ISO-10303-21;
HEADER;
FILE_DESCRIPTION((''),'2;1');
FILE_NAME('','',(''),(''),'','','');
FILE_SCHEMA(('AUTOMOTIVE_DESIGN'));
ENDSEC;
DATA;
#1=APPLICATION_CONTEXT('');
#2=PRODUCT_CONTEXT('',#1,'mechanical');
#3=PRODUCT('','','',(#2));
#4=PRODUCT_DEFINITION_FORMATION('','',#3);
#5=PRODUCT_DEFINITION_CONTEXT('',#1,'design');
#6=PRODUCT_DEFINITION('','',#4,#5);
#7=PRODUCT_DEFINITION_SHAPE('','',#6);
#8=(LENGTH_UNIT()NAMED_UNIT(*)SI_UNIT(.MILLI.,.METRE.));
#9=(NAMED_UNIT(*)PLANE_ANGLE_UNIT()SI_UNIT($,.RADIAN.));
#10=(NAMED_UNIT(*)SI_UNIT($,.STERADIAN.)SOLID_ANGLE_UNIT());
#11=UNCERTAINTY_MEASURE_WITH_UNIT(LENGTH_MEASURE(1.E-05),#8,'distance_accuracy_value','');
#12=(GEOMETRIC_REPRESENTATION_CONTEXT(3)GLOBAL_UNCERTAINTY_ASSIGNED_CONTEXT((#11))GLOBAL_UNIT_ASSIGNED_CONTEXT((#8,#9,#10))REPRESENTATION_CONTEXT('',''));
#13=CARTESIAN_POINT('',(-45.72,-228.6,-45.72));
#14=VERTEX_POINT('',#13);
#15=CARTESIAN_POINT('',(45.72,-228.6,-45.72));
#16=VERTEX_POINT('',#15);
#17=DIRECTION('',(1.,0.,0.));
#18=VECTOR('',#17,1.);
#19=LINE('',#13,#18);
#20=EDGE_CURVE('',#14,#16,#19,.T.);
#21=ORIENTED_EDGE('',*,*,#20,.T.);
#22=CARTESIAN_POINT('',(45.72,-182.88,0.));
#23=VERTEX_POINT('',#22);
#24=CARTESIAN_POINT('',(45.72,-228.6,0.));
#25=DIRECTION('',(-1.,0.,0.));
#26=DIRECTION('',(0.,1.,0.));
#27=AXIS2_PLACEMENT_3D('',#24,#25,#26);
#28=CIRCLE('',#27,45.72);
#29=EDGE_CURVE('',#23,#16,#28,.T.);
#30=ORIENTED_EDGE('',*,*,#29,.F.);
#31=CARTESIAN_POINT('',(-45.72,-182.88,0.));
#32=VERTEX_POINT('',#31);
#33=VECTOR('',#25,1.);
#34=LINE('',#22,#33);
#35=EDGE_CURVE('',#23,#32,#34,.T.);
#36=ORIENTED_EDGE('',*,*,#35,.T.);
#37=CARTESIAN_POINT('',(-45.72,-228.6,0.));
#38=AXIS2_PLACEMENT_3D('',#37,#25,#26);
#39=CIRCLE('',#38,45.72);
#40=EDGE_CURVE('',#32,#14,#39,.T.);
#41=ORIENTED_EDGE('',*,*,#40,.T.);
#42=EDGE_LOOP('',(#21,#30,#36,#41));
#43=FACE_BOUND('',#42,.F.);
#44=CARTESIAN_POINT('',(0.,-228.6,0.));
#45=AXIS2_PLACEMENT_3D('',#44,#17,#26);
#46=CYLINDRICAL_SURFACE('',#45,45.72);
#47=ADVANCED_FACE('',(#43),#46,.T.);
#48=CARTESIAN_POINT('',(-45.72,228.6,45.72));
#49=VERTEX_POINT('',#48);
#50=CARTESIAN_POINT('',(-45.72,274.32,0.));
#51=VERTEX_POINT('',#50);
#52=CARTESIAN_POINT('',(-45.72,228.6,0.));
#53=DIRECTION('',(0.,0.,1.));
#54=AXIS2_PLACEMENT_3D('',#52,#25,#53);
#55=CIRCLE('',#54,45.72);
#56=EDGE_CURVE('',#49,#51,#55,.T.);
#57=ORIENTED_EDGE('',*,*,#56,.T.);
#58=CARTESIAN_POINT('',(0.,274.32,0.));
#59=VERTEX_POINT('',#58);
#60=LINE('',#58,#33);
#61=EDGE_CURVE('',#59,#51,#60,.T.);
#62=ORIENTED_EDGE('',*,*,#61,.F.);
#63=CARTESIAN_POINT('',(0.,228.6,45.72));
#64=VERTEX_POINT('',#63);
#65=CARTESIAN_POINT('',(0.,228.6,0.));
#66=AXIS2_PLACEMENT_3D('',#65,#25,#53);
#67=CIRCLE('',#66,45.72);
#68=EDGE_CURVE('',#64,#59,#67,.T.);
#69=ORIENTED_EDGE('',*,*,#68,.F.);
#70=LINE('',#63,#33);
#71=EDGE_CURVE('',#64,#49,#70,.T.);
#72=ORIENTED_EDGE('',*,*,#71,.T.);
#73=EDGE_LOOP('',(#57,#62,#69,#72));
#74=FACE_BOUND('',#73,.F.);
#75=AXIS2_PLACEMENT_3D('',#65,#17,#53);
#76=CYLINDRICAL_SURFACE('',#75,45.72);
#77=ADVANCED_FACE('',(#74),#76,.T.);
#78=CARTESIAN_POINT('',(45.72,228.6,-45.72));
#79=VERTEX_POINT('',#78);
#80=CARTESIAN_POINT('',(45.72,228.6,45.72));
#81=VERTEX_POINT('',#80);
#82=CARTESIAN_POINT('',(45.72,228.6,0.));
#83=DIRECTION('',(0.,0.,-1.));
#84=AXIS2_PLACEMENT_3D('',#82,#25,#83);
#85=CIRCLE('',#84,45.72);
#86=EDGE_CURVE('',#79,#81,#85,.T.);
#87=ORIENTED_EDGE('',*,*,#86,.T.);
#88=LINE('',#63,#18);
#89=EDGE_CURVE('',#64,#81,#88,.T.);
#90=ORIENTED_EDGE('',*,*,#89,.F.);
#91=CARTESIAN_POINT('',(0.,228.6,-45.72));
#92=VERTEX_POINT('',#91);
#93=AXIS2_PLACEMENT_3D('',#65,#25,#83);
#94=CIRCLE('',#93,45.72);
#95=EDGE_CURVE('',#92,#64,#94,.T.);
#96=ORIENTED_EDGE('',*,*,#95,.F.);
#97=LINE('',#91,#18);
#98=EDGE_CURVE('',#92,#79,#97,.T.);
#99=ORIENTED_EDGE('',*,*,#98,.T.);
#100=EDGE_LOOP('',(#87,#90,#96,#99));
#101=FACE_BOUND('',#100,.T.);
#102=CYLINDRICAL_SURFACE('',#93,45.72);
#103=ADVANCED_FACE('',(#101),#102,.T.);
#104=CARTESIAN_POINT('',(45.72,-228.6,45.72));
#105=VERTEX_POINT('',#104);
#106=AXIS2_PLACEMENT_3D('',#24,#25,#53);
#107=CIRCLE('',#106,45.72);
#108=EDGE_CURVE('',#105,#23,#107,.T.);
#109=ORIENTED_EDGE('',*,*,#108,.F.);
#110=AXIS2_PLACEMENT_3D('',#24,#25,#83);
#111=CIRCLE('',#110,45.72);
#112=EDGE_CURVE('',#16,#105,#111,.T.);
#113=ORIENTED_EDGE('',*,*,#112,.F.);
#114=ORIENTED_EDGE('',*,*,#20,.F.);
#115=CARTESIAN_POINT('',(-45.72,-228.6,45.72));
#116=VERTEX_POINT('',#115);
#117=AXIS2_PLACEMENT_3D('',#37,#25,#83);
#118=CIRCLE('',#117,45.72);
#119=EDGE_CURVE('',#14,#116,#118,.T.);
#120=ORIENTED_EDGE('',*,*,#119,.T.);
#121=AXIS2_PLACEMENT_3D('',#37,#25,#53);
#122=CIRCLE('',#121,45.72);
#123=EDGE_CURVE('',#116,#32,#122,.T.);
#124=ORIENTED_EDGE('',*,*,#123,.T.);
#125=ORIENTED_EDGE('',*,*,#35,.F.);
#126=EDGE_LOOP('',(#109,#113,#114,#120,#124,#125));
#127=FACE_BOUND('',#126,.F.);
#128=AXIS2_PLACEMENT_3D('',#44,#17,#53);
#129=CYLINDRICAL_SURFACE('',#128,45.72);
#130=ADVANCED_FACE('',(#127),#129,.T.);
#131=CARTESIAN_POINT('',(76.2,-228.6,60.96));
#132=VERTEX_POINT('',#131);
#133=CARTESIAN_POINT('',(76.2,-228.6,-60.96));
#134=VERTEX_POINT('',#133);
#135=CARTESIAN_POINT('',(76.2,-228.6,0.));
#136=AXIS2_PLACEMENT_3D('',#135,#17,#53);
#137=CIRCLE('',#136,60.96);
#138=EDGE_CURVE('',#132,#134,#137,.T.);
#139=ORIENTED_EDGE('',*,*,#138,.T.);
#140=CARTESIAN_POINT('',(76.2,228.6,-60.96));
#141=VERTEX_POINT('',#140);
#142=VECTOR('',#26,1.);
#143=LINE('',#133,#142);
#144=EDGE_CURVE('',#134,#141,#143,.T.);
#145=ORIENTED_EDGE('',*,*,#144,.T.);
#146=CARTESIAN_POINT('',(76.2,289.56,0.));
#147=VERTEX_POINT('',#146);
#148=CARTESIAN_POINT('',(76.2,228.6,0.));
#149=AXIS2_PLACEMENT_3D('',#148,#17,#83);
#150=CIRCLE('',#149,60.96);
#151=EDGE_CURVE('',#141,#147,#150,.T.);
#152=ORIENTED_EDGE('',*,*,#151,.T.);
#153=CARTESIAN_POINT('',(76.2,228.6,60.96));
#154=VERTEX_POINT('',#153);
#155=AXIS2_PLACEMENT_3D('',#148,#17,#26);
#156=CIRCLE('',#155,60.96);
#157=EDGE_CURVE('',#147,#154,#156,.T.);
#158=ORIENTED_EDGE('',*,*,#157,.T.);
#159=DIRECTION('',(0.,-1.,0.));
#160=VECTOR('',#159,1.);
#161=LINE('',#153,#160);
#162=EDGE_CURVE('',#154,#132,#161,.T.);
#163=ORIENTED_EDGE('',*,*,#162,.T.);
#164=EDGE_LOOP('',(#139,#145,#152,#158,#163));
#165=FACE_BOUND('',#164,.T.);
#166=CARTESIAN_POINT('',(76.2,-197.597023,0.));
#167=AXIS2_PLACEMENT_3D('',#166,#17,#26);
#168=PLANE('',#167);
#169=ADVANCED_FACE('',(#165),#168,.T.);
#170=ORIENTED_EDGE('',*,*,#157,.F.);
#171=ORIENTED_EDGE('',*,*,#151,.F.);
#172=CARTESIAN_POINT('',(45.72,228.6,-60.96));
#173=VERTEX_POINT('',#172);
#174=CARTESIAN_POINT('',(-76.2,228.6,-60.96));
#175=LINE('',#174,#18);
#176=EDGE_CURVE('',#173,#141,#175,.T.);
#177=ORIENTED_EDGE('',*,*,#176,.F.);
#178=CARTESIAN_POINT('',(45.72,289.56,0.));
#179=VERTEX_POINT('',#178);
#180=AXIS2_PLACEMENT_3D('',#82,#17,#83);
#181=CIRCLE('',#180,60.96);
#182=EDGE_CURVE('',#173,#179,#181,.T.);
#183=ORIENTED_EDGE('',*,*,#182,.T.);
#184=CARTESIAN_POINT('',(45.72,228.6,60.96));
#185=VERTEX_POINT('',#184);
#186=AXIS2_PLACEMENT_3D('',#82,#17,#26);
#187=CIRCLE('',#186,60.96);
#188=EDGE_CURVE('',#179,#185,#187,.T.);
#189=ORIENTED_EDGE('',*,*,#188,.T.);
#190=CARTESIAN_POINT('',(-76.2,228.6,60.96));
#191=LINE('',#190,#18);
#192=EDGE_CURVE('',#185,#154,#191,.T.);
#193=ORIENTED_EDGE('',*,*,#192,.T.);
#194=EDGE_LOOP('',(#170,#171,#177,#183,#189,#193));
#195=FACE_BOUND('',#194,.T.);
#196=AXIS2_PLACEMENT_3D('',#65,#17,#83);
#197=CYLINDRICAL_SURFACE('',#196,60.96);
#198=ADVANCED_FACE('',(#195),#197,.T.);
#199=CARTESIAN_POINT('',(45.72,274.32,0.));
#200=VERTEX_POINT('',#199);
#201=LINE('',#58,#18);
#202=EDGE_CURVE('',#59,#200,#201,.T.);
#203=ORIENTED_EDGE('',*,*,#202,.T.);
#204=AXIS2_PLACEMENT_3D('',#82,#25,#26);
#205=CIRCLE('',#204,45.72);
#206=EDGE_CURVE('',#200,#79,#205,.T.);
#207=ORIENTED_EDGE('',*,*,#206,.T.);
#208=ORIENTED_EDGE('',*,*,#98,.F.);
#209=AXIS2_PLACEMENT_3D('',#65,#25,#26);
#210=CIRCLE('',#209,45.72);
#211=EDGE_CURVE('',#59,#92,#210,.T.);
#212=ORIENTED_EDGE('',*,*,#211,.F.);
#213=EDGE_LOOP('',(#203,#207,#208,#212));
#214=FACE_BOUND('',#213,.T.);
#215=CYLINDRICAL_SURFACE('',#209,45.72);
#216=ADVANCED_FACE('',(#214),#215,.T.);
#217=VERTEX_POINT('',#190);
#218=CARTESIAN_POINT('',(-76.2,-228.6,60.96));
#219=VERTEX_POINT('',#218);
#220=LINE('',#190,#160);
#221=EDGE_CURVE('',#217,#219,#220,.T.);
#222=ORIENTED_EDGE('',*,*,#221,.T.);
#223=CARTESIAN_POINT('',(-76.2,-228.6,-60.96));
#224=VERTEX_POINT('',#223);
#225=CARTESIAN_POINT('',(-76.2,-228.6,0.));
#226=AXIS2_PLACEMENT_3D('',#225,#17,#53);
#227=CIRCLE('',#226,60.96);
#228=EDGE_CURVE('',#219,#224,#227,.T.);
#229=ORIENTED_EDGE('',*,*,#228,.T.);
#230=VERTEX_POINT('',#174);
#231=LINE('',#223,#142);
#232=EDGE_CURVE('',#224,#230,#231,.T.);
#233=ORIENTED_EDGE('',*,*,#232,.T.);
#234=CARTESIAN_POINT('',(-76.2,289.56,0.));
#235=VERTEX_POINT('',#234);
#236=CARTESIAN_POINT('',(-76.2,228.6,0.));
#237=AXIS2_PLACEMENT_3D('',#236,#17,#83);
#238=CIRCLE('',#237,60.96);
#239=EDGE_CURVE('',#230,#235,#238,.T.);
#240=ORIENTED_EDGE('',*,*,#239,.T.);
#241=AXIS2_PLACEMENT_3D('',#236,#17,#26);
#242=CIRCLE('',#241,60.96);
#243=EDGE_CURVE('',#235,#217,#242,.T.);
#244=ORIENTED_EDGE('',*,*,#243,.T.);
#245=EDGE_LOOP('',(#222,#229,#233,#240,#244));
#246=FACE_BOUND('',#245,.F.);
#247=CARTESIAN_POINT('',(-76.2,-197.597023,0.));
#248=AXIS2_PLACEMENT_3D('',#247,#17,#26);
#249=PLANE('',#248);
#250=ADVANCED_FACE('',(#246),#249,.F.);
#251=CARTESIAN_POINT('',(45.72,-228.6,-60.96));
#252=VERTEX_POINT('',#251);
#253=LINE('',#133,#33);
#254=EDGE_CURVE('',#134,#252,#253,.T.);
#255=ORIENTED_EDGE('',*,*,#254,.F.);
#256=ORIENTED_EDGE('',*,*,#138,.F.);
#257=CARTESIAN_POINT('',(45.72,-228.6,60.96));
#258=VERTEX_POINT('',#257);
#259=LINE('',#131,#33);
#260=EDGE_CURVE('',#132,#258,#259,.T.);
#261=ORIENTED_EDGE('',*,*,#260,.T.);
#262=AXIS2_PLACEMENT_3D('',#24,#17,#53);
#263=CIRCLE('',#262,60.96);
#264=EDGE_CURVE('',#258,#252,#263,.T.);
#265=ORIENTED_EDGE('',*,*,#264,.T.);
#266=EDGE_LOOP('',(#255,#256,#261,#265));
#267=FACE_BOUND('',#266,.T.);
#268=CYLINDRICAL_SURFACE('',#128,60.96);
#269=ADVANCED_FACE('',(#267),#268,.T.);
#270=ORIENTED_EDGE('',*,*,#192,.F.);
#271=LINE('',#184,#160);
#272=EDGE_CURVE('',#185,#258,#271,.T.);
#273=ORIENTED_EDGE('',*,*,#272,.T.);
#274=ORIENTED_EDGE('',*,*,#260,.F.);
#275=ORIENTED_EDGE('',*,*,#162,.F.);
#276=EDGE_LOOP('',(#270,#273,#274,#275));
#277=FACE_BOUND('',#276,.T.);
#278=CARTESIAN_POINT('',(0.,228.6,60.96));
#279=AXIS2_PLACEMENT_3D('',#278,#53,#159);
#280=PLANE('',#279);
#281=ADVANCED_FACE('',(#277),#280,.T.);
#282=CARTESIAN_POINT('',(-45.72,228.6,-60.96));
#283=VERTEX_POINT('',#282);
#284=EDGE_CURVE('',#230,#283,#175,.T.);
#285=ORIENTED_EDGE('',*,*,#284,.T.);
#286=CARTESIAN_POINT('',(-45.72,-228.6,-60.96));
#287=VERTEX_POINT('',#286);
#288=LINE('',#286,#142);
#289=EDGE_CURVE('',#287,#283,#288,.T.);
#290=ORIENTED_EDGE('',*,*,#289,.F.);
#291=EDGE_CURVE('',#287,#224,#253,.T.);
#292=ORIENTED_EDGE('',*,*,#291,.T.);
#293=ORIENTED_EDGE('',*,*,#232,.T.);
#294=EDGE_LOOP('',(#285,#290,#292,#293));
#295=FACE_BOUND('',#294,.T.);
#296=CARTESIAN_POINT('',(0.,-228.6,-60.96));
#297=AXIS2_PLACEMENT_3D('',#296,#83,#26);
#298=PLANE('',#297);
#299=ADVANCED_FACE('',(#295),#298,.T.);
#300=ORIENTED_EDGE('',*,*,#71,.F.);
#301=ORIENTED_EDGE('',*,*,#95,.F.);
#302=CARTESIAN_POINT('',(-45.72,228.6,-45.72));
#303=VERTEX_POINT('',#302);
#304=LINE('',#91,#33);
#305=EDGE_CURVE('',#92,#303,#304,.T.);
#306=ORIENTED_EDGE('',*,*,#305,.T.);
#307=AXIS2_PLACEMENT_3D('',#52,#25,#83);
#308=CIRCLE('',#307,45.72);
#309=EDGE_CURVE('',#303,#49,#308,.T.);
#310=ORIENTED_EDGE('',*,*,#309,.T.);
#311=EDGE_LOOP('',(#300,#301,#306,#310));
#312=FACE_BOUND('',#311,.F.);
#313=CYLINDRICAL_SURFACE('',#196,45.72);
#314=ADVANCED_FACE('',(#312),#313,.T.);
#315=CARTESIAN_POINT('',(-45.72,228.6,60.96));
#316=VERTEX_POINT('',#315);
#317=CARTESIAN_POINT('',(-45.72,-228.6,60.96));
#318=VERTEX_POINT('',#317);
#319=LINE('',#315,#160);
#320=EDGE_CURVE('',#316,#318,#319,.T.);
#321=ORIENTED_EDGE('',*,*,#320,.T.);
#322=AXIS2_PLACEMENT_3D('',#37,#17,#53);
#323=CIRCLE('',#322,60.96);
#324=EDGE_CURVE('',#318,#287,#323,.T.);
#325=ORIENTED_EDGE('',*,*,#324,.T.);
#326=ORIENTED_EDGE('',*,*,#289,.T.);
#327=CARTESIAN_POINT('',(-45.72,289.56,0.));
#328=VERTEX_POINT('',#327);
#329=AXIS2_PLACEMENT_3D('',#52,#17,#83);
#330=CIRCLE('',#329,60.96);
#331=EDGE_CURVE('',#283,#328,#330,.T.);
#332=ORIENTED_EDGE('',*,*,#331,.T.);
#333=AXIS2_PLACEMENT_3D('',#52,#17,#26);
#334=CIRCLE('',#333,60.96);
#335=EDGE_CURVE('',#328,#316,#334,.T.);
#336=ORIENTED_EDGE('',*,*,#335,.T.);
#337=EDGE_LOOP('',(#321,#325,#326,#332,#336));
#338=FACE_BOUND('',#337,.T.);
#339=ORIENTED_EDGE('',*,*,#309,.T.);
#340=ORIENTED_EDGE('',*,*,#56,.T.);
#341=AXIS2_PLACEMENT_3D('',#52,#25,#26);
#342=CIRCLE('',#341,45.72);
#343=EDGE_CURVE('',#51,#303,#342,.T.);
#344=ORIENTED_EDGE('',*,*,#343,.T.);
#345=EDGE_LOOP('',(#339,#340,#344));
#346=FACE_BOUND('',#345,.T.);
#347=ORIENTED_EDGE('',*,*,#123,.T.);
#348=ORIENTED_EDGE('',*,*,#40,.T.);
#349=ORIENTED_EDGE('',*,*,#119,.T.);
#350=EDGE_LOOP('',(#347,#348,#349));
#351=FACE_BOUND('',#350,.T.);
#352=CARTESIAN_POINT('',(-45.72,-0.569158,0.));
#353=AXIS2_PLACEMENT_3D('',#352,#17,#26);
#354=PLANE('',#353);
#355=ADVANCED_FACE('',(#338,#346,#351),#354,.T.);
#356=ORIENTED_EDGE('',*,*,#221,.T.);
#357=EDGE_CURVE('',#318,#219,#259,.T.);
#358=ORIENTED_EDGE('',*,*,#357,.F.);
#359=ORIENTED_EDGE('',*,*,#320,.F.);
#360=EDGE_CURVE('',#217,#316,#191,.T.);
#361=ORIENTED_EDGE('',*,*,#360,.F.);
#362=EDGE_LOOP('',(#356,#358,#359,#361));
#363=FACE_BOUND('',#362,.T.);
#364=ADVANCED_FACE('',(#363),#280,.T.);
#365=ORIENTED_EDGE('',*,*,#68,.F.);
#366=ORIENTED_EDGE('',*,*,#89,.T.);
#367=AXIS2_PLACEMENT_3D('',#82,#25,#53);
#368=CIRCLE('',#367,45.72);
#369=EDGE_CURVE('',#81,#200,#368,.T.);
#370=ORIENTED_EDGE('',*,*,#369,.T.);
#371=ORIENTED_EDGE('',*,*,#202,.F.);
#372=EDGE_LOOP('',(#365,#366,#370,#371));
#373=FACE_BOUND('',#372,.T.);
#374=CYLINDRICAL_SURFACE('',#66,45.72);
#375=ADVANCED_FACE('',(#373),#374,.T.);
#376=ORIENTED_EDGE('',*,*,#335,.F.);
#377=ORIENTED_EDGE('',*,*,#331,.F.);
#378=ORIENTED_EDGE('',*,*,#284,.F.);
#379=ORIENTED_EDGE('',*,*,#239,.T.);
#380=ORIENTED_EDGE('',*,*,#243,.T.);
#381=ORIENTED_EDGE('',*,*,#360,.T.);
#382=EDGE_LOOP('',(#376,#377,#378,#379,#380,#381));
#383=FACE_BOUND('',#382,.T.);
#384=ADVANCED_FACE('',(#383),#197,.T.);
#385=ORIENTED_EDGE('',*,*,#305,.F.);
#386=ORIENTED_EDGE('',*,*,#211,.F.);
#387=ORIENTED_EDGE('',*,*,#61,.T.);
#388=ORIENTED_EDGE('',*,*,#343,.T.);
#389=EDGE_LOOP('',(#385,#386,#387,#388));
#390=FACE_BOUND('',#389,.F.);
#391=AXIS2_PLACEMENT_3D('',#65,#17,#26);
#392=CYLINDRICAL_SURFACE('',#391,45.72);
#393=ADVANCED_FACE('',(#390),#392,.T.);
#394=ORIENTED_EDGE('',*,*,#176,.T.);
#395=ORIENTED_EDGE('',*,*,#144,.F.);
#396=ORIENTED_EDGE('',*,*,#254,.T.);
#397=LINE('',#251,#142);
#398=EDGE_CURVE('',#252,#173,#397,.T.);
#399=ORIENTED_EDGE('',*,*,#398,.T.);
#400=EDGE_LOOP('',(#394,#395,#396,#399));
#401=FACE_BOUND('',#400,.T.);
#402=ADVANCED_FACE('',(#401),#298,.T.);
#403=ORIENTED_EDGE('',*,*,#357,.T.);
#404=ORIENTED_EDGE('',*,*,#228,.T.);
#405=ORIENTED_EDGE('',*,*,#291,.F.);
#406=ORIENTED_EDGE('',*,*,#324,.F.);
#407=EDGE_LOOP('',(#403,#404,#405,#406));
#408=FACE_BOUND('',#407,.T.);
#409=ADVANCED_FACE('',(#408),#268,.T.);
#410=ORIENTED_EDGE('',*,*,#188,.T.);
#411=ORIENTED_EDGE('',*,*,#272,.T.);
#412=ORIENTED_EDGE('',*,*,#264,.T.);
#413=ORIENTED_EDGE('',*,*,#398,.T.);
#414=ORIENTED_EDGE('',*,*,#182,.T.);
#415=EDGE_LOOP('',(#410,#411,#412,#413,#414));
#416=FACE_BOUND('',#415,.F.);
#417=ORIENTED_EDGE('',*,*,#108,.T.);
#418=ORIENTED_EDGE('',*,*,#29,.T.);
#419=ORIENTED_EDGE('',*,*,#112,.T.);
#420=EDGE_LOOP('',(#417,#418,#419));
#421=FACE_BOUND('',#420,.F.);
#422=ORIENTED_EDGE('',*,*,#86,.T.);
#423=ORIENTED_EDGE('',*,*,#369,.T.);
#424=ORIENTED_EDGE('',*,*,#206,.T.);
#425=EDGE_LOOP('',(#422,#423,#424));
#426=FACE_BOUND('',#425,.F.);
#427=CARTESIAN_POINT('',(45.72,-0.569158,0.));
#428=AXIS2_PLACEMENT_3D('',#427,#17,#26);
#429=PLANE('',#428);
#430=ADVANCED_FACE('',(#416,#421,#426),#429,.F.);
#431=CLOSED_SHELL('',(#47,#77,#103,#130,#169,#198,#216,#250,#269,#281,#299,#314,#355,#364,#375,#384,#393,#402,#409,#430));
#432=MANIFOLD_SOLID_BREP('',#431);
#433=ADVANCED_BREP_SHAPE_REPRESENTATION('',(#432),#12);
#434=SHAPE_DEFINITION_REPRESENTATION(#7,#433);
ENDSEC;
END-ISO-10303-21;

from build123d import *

# Parameters (mm, degrees)
F1_DEPTH = 76.2
F2_DEPTH = 45.72


with BuildPart() as f1:
    # F0 (on Right) → F1 (new body, symmetric)
    with BuildSketch(Plane.YZ):
        with BuildLine():
            ThreePointArc((-167.64, 0), (-185.4947706189, 43.1052293811), (-228.6, 60.96))
            Line((-228.6, 60.96), (-228.6, 45.72))
            ThreePointArc((-228.6, 45.72), (-196.2710779642, 32.3289220358), (-182.88, 0))
            ThreePointArc((-182.88, 0), (-196.2710779642, -32.3289220358), (-228.6, -45.72))
            Line((-228.6, -45.72), (-228.6, -60.96))
            ThreePointArc((-228.6, -60.96), (-185.4947706189, -43.1052293811), (-167.64, 0))
        make_face()
        with BuildLine():
            Line((228.6, 60.96), (-228.6, 60.96))
            ThreePointArc((-228.6, 60.96), (-185.4947706189, 43.1052293811), (-167.64, 0))
            ThreePointArc((-167.64, 0), (-185.4947706189, -43.1052293811), (-228.6, -60.96))
            Line((-228.6, -60.96), (228.6, -60.96))
            ThreePointArc((228.6, -60.96), (167.64, 0), (228.6, 60.96))
        make_face()
        with BuildLine():
            Line((-228.6, 45.72), (-228.6, 60.96))
            ThreePointArc((-228.6, 60.96), (-289.56, 0), (-228.6, -60.96))
            Line((-228.6, -60.96), (-228.6, -45.72))
            ThreePointArc((-228.6, -45.72), (-274.32, 0), (-228.6, 45.72))
        make_face()
        with BuildLine():
            ThreePointArc((289.56, 0), (271.7052293811, 43.1052293811), (228.6, 60.96))
            Line((228.6, 60.96), (228.6, 45.72))
            ThreePointArc((228.6, 45.72), (260.9289220358, 32.3289220358), (274.32, 0))
            ThreePointArc((274.32, 0), (260.9289220358, -32.3289220358), (228.6, -45.72))
            Line((228.6, -45.72), (228.6, -60.96))
            ThreePointArc((228.6, -60.96), (271.7052293811, -43.1052293811), (289.56, 0))
        make_face()
        with BuildLine():
            Line((228.6, 45.72), (228.6, 60.96))
            ThreePointArc((228.6, 60.96), (167.64, 0), (228.6, -60.96))
            Line((228.6, -60.96), (228.6, -45.72))
            ThreePointArc((228.6, -45.72), (182.88, 0), (228.6, 45.72))
        make_face()
        with BuildLine():
            Line((-228.6, -45.72), (-228.6, 45.72))
            ThreePointArc((-228.6, 45.72), (-274.32, 0), (-228.6, -45.72))
        make_face()
        with BuildLine():
            ThreePointArc((-182.88, 0), (-196.2710779642, 32.3289220358), (-228.6, 45.72))
            Line((-228.6, 45.72), (-228.6, -45.72))
            ThreePointArc((-228.6, -45.72), (-196.2710779642, -32.3289220358), (-182.88, 0))
        make_face()
        with BuildLine():
            Line((228.6, -45.72), (228.6, 45.72))
            ThreePointArc((228.6, 45.72), (182.88, 0), (228.6, -45.72))
        make_face()
        with BuildLine():
            ThreePointArc((274.32, 0), (260.9289220358, 32.3289220358), (228.6, 45.72))
            Line((228.6, 45.72), (228.6, -45.72))
            ThreePointArc((228.6, -45.72), (260.9289220358, -32.3289220358), (274.32, 0))
        make_face()
    extrude(amount=F1_DEPTH, both=True)

    # F0 (on Right) → F2 (cut, symmetric)
    with BuildSketch(Plane.YZ):
        with BuildLine():
            Line((228.6, 60.96), (-228.6, 60.96))
            ThreePointArc((-228.6, 60.96), (-185.4947706189, 43.1052293811), (-167.64, 0))
            ThreePointArc((-167.64, 0), (-185.4947706189, -43.1052293811), (-228.6, -60.96))
            Line((-228.6, -60.96), (228.6, -60.96))
            ThreePointArc((228.6, -60.96), (167.64, 0), (228.6, 60.96))
        make_face()
        with BuildLine():
            Line((-228.6, 45.72), (-228.6, 60.96))
            ThreePointArc((-228.6, 60.96), (-289.56, 0), (-228.6, -60.96))
            Line((-228.6, -60.96), (-228.6, -45.72))
            ThreePointArc((-228.6, -45.72), (-274.32, 0), (-228.6, 45.72))
        make_face()
        with BuildLine():
            ThreePointArc((-167.64, 0), (-185.4947706189, 43.1052293811), (-228.6, 60.96))
            Line((-228.6, 60.96), (-228.6, 45.72))
            ThreePointArc((-228.6, 45.72), (-196.2710779642, 32.3289220358), (-182.88, 0))
            ThreePointArc((-182.88, 0), (-196.2710779642, -32.3289220358), (-228.6, -45.72))
            Line((-228.6, -45.72), (-228.6, -60.96))
            ThreePointArc((-228.6, -60.96), (-185.4947706189, -43.1052293811), (-167.64, 0))
        make_face()
        with BuildLine():
            ThreePointArc((289.56, 0), (271.7052293811, 43.1052293811), (228.6, 60.96))
            Line((228.6, 60.96), (228.6, 45.72))
            ThreePointArc((228.6, 45.72), (260.9289220358, 32.3289220358), (274.32, 0))
            ThreePointArc((274.32, 0), (260.9289220358, -32.3289220358), (228.6, -45.72))
            Line((228.6, -45.72), (228.6, -60.96))
            ThreePointArc((228.6, -60.96), (271.7052293811, -43.1052293811), (289.56, 0))
        make_face()
        with BuildLine():
            Line((228.6, 45.72), (228.6, 60.96))
            ThreePointArc((228.6, 60.96), (167.64, 0), (228.6, -60.96))
            Line((228.6, -60.96), (228.6, -45.72))
            ThreePointArc((228.6, -45.72), (182.88, 0), (228.6, 45.72))
        make_face()
    extrude(amount=F2_DEPTH, both=True, mode=Mode.SUBTRACT)


solid = f1.part
